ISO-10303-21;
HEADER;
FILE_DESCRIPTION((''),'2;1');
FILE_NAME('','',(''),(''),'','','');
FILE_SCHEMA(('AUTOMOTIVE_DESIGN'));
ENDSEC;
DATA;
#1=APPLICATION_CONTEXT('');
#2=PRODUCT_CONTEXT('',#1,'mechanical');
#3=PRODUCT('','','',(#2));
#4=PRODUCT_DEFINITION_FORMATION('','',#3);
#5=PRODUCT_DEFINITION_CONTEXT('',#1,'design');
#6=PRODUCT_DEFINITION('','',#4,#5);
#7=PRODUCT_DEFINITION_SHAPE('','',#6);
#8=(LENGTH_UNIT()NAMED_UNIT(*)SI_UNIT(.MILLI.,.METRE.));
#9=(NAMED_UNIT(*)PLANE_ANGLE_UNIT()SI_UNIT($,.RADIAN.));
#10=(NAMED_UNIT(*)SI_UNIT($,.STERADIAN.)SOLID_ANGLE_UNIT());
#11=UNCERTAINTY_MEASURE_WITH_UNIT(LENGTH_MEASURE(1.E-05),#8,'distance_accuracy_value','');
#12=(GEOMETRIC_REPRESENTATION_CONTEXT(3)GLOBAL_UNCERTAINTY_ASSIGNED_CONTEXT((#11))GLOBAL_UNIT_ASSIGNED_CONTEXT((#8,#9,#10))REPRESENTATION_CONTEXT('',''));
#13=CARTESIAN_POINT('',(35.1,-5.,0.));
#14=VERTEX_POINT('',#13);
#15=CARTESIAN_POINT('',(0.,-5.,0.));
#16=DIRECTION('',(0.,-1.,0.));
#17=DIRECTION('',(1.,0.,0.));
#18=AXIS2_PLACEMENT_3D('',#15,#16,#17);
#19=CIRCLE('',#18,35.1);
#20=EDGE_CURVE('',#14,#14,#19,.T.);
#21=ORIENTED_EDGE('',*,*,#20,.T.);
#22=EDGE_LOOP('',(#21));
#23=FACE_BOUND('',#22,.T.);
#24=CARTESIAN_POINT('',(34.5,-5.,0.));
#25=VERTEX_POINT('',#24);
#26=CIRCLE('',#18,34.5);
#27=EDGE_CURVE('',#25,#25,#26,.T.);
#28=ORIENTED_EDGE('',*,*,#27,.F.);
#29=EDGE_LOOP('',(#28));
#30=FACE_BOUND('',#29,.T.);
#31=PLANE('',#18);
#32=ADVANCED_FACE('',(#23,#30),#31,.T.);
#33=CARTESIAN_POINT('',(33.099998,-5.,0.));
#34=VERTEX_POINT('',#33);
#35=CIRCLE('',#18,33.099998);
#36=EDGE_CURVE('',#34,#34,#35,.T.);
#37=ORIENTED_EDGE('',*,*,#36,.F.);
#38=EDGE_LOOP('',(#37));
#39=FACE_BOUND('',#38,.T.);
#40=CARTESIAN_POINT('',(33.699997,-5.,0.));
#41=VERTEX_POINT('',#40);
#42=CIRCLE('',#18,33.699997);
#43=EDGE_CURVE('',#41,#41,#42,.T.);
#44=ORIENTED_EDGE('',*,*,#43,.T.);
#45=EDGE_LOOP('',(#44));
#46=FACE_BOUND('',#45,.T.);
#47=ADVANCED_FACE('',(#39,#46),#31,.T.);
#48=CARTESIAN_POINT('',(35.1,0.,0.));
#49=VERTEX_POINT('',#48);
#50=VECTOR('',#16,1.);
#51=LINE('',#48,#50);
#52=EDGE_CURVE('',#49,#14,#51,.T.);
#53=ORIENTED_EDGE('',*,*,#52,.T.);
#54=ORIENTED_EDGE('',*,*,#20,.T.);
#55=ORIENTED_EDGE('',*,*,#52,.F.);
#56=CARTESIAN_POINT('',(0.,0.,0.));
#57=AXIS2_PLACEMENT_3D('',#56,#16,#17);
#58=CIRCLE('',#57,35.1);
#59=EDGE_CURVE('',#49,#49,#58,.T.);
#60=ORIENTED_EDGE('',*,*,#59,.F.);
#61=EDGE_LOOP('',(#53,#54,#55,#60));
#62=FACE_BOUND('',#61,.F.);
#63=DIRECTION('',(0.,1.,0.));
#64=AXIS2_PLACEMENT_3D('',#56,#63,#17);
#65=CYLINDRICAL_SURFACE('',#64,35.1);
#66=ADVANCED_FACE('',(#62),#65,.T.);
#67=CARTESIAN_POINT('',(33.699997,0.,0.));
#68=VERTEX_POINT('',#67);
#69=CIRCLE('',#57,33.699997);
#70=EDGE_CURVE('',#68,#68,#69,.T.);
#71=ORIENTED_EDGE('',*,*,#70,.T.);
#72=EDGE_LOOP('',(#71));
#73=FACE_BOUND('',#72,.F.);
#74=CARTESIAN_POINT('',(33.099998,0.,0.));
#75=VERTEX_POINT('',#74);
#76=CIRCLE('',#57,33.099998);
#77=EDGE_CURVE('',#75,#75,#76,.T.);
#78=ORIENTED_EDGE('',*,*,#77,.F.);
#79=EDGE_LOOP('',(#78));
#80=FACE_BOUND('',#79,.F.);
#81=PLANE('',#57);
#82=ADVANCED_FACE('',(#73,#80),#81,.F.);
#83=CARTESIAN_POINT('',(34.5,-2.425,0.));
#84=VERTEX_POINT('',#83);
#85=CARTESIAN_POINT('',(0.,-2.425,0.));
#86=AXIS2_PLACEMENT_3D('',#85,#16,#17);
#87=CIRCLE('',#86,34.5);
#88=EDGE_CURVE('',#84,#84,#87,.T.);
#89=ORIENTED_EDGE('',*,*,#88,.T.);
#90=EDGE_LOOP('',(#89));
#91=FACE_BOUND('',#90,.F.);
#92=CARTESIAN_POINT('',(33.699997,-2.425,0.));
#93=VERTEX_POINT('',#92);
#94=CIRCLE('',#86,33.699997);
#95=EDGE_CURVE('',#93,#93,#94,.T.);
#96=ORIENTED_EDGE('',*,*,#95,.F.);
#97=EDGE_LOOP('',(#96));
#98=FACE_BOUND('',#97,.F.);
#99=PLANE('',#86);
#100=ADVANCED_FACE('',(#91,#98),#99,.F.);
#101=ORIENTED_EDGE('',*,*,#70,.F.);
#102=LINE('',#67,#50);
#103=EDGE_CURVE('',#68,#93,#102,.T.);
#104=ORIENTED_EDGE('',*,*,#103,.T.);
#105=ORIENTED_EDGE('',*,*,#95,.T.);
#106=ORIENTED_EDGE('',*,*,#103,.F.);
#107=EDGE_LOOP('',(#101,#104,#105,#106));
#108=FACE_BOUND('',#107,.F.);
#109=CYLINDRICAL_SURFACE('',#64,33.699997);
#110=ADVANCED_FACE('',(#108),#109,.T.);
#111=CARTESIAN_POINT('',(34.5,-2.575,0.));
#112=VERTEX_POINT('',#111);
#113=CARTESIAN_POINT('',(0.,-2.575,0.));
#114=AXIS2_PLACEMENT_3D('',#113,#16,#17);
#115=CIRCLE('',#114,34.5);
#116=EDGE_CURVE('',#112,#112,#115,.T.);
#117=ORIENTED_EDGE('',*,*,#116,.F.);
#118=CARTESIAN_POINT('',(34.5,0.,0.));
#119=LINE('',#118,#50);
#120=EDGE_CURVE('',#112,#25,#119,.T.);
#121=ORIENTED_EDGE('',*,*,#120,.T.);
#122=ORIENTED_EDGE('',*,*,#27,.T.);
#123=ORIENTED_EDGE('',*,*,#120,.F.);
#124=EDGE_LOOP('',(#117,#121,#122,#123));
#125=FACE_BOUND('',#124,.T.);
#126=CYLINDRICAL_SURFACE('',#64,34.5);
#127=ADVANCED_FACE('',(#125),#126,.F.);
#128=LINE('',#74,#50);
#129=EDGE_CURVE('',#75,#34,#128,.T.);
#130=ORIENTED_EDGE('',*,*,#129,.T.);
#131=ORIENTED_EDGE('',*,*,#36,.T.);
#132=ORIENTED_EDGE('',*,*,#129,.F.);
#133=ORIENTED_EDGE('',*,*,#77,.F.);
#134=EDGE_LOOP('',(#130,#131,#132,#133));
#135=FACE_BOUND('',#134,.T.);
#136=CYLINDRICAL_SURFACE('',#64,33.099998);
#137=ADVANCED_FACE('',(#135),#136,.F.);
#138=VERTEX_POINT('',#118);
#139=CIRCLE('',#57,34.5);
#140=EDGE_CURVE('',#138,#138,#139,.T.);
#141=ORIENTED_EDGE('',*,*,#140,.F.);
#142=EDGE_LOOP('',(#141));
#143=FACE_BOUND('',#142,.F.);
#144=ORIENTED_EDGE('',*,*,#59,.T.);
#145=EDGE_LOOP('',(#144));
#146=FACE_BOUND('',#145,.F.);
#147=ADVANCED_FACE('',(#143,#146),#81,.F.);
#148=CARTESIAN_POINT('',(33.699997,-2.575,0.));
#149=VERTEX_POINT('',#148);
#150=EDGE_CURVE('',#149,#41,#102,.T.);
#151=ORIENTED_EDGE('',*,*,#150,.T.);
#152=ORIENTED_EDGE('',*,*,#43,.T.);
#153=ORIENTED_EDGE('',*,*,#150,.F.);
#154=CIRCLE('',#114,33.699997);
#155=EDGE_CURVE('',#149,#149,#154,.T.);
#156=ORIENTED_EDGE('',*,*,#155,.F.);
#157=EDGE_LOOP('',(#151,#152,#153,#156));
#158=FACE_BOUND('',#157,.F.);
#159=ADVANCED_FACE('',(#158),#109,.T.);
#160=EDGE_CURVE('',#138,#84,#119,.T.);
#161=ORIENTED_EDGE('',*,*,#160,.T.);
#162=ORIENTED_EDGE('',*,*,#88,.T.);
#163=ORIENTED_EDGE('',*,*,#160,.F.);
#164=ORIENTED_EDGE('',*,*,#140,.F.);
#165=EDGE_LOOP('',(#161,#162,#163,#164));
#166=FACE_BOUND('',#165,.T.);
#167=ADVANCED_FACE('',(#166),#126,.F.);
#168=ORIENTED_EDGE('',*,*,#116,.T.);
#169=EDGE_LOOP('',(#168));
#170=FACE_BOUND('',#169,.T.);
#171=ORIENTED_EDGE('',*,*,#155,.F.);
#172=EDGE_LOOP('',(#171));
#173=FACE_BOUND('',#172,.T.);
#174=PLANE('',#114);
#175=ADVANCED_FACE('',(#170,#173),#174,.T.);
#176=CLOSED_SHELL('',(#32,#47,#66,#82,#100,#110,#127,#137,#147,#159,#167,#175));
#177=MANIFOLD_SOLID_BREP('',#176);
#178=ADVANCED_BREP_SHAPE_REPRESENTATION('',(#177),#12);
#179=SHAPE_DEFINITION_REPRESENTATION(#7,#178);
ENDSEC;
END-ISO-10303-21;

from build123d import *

# Parameters (mm, degrees)
F0_R     = 35.1
F0_R_2   = 34.5
F1_DEPTH = 5
F0_R_3   = 33.6999967694
F0_R_4   = 33.0999977887
F3_R     = 34.5
F3_R_2   = 33.6999967694
F4_DEPTH = 0.075


with BuildPart() as f1:
    # F0 (on Front) → F1 (new body)
    with BuildSketch(Plane.XZ):
        Circle(F0_R)
        Circle(F0_R_2, mode=Mode.SUBTRACT)
    extrude(amount=F1_DEPTH)



with BuildPart() as f1b:
    # F0 (on Front) → F1, piece 2 (new body)
    with BuildSketch(Plane.XZ):
        Circle(F0_R_3)
        Circle(F0_R_4, mode=Mode.SUBTRACT)
    extrude(amount=F1_DEPTH)


with BuildPart() as f1_1:
    add(f1.part)

    add(f1b.part)  # F4 merges F1b
    # F3 (on offset) → F4 (join, symmetric)
    with BuildSketch(Plane.XZ.offset(2.5)):
        Circle(F3_R)
        Circle(F3_R_2, mode=Mode.SUBTRACT)
    extrude(amount=F4_DEPTH, both=True)


solid = f1_1.part
